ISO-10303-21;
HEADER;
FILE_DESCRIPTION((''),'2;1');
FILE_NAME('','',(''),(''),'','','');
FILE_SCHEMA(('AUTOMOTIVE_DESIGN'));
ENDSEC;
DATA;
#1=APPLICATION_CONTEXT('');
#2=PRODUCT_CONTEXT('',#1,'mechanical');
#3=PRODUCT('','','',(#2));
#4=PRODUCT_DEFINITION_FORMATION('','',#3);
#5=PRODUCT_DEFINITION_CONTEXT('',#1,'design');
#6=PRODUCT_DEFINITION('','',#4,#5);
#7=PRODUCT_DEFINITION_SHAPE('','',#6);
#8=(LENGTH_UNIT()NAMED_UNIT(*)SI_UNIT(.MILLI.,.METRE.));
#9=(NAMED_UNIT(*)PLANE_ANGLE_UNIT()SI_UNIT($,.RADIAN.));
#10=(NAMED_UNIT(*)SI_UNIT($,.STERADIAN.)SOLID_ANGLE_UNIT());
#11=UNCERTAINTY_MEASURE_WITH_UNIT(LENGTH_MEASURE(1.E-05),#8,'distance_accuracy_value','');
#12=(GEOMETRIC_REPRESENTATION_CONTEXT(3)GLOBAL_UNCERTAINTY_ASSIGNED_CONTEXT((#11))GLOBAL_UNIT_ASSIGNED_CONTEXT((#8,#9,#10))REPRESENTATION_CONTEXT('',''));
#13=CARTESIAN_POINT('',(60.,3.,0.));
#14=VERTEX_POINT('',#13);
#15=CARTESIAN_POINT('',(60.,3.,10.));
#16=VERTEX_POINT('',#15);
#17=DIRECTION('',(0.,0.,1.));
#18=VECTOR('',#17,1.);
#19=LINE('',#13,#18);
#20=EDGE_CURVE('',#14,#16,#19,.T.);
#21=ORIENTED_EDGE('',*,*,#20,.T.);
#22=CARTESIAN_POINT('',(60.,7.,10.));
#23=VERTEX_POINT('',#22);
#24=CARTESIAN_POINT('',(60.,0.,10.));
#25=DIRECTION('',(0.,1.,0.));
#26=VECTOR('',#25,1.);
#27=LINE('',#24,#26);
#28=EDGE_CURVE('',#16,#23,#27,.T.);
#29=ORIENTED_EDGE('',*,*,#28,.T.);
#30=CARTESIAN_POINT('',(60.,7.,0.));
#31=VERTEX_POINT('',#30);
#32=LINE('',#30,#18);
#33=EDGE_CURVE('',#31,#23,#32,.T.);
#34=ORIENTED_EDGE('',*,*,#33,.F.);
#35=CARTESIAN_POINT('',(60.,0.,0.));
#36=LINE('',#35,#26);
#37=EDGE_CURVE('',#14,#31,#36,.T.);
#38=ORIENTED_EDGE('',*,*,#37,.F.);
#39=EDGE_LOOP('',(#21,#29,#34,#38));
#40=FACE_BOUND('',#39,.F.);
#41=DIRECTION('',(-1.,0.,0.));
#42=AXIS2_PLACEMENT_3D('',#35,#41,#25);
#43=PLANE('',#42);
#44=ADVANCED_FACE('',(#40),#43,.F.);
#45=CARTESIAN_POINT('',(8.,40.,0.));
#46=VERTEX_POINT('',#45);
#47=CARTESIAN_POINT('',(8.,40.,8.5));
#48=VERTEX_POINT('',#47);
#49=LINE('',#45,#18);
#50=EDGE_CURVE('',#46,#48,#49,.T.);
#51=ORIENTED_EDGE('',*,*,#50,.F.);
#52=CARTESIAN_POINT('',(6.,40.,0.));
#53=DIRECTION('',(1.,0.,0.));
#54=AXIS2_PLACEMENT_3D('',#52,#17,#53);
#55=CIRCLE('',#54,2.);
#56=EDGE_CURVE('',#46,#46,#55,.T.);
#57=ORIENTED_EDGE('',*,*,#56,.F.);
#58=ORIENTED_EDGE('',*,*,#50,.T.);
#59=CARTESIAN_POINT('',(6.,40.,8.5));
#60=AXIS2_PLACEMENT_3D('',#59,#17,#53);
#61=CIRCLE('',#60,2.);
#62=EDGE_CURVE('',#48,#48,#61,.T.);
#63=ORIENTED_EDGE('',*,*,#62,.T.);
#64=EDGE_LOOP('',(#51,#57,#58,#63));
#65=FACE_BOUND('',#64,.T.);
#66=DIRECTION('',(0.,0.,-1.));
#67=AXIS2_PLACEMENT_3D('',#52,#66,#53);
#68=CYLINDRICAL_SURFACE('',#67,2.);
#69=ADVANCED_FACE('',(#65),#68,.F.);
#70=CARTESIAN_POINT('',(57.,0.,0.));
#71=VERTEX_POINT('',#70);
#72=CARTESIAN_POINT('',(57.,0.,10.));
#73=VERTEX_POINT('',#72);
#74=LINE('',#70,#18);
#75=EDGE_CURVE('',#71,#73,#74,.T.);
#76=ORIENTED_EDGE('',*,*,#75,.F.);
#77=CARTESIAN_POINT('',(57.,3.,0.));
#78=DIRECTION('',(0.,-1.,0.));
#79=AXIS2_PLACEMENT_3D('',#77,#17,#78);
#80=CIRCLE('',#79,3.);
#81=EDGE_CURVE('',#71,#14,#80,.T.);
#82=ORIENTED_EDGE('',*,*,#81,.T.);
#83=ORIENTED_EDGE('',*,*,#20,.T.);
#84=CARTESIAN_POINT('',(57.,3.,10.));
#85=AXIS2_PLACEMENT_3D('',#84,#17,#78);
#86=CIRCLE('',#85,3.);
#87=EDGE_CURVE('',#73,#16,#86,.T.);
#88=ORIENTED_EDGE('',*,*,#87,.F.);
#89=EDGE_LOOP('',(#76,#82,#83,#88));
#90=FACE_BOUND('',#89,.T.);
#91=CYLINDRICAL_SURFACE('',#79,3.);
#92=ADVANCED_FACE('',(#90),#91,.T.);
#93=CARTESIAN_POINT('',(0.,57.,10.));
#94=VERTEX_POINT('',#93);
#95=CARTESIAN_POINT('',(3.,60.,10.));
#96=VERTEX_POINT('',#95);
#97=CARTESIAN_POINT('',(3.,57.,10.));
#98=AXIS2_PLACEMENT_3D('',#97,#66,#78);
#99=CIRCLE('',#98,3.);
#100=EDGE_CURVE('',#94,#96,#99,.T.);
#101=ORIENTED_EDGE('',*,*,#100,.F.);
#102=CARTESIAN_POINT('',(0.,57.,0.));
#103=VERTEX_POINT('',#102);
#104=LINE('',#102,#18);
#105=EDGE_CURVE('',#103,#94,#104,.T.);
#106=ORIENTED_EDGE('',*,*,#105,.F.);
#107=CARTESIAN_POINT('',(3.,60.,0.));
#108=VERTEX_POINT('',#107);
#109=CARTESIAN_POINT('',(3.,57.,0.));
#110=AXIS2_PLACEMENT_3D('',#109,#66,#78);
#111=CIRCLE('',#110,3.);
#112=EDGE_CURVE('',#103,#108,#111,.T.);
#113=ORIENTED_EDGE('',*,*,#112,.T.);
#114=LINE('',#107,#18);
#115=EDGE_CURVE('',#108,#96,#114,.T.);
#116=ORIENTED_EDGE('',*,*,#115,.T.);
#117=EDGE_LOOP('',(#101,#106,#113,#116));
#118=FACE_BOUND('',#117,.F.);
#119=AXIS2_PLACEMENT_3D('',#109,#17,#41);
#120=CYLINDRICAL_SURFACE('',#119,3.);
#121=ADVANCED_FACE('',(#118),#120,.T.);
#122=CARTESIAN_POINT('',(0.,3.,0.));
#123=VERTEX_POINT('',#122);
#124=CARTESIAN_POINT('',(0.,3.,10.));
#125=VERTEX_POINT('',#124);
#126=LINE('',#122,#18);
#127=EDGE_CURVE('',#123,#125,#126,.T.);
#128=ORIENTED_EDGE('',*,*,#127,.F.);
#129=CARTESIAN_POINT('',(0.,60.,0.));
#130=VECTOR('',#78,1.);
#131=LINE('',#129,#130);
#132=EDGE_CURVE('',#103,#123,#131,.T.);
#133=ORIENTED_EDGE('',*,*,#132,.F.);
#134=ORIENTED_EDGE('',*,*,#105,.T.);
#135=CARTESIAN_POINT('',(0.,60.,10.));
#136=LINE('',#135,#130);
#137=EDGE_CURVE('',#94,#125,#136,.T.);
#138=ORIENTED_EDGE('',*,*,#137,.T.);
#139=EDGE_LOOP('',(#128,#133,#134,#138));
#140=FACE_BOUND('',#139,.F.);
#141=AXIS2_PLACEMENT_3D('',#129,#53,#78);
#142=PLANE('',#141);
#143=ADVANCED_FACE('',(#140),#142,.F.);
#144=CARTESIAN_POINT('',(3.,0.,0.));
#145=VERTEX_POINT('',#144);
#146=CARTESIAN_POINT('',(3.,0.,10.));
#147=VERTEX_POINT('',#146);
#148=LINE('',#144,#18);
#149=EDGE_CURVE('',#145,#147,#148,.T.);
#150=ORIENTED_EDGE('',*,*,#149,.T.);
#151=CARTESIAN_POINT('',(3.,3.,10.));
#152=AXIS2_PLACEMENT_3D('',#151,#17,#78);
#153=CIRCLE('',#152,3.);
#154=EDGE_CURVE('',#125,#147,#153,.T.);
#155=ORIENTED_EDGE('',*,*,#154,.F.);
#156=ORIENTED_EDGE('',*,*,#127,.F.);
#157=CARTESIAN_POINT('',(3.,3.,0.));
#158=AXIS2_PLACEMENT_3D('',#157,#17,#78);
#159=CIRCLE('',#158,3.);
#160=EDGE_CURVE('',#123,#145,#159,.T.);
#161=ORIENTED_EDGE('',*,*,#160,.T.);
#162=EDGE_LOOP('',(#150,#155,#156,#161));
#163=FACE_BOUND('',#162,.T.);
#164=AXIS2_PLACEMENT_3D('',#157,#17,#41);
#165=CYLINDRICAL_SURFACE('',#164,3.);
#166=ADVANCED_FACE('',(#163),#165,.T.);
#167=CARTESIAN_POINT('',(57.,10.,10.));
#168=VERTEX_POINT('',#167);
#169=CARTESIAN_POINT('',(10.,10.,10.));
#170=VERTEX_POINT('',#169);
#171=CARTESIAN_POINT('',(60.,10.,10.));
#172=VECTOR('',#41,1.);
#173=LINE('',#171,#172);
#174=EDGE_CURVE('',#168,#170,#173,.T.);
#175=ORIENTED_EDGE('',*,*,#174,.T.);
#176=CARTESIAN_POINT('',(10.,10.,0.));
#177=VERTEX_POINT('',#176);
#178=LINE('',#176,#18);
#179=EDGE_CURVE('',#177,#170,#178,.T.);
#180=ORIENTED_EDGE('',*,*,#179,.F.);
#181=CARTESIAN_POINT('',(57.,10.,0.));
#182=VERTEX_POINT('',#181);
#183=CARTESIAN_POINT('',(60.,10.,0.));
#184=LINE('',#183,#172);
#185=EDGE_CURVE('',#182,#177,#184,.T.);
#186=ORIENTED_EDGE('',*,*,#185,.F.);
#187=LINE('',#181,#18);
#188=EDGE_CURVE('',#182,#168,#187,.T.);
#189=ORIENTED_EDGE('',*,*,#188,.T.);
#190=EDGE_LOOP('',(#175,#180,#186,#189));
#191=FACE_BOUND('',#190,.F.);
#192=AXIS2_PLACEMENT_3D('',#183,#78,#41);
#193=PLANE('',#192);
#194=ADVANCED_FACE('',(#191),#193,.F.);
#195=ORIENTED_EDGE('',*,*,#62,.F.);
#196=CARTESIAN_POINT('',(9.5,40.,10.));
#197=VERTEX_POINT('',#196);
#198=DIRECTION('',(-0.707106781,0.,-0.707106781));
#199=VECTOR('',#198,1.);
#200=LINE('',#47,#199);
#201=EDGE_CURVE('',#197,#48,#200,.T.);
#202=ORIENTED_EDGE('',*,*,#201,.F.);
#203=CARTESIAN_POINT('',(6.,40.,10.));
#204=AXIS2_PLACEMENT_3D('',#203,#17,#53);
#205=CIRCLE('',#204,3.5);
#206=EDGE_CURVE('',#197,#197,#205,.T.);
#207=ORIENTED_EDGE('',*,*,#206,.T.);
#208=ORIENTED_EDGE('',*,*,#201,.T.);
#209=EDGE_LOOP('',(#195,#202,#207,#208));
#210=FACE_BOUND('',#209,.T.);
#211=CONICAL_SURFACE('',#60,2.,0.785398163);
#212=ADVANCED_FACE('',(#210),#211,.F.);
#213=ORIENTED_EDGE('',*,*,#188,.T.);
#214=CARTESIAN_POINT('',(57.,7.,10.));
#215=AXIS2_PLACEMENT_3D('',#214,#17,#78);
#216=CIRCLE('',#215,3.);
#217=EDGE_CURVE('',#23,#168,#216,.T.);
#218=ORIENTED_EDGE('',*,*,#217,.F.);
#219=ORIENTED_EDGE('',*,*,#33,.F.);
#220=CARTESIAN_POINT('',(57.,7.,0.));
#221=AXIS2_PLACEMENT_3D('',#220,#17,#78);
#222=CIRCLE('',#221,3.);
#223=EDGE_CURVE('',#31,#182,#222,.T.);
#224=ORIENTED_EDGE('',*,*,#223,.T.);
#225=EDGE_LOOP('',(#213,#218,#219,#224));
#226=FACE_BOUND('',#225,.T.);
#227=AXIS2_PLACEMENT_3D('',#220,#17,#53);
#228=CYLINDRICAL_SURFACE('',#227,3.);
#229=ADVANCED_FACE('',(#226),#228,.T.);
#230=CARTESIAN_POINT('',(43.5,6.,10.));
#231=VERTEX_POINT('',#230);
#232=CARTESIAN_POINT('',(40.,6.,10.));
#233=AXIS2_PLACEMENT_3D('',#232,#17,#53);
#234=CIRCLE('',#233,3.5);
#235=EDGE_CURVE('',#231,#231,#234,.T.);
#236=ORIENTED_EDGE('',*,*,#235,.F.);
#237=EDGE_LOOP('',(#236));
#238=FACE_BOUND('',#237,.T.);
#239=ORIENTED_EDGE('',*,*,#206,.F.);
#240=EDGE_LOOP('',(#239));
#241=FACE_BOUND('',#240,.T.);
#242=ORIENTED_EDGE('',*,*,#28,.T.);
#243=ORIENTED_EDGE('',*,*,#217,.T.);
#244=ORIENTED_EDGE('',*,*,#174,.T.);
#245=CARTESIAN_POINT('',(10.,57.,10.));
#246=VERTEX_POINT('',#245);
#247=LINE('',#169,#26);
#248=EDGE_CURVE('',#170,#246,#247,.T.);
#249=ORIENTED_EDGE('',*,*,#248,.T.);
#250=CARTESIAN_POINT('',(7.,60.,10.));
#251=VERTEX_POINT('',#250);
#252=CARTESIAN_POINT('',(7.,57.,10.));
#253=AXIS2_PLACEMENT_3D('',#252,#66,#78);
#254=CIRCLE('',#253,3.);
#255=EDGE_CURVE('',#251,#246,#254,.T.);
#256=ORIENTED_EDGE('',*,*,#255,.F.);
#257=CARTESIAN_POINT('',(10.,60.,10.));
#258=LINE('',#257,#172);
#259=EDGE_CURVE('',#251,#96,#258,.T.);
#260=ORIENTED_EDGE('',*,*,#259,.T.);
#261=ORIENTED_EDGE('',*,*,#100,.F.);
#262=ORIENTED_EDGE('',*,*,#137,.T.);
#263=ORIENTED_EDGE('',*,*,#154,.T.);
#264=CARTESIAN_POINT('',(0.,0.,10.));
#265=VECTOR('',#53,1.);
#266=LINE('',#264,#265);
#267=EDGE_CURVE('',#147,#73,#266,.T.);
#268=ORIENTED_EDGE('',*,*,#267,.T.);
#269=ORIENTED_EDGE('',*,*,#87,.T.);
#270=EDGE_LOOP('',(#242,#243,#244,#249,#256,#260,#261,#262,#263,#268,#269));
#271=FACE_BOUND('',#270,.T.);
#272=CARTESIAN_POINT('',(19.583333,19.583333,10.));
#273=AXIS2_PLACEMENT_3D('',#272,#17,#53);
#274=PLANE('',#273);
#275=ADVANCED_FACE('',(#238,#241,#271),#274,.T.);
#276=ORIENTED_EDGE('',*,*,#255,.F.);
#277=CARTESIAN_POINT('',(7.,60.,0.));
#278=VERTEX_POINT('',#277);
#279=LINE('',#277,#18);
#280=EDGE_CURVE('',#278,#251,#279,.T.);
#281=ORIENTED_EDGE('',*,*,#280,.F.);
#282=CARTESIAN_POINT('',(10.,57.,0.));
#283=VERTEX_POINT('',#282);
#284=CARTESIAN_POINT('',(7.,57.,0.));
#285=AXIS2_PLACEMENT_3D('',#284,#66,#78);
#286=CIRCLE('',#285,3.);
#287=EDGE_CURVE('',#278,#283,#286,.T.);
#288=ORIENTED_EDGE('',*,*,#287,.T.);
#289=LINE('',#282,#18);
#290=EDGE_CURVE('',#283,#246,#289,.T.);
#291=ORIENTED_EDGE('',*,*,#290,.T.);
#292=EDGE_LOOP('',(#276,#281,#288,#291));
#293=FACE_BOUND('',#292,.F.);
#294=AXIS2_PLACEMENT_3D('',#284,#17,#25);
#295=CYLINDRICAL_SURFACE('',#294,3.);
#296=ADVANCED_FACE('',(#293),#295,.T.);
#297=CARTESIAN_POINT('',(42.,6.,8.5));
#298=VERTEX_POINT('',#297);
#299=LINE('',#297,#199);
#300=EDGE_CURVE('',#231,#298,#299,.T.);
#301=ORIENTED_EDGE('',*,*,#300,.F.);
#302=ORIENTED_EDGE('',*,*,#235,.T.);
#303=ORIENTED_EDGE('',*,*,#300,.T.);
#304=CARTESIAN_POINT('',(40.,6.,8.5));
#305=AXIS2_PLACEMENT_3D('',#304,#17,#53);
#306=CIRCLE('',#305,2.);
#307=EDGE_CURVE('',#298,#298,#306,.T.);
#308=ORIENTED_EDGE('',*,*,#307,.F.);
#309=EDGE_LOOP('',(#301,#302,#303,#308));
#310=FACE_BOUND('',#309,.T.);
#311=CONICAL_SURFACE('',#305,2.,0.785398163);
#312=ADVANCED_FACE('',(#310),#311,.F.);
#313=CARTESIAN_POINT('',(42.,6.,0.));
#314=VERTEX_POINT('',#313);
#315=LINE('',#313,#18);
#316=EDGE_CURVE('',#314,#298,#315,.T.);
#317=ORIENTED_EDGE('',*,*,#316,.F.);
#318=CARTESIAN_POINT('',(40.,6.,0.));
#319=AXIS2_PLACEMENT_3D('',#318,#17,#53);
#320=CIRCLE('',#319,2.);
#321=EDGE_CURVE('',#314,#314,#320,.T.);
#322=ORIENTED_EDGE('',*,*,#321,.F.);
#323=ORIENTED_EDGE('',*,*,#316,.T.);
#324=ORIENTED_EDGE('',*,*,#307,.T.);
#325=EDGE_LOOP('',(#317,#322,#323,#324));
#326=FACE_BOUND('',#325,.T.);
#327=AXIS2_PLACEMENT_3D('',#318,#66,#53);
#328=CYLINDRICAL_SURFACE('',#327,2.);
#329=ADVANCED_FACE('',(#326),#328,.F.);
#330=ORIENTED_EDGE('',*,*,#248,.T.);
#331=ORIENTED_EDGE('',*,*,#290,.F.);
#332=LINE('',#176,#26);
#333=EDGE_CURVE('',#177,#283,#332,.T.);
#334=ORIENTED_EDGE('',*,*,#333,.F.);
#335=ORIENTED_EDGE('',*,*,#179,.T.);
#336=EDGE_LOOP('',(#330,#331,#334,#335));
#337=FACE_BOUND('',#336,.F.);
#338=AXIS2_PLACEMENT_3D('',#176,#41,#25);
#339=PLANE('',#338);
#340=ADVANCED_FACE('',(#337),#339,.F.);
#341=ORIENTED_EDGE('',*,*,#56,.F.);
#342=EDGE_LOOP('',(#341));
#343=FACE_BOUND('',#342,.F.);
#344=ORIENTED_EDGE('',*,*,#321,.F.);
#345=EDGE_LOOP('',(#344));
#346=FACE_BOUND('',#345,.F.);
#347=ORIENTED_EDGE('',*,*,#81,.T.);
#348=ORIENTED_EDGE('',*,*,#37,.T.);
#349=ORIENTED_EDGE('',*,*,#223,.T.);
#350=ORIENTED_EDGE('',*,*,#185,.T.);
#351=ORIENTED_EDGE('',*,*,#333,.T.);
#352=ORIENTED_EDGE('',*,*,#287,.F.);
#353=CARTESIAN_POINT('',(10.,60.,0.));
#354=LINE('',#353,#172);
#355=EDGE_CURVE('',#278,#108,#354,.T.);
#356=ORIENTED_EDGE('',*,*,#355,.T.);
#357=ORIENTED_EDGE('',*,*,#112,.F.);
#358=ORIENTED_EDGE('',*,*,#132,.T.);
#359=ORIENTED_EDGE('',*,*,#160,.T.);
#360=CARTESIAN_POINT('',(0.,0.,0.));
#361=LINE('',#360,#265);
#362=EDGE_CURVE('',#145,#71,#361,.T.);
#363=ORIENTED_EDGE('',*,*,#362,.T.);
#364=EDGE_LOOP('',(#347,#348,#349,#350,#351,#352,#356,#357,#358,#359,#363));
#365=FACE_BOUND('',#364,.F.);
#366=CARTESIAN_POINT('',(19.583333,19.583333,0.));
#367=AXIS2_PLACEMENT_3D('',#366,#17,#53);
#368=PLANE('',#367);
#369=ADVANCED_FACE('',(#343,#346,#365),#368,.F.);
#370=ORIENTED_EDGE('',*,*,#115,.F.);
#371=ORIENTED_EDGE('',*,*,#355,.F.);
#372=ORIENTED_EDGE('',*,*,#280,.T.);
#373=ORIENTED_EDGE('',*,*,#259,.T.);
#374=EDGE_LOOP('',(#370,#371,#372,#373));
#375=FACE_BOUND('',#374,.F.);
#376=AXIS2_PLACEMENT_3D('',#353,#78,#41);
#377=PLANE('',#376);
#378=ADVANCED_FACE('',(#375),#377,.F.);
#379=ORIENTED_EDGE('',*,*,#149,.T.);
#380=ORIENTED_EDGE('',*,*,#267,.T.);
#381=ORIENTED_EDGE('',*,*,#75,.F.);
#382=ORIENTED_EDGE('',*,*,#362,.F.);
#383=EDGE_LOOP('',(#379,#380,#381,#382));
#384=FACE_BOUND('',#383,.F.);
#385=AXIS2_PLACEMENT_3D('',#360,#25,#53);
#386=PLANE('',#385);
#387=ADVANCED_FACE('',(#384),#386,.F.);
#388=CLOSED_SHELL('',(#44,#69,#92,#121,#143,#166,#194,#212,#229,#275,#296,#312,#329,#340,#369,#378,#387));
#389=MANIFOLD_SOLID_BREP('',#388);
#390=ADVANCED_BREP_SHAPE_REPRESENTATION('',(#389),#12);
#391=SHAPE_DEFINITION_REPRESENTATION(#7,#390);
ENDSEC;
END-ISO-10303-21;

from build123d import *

# Parameters (mm, degrees)
F0_R     = 2
F1_DEPTH = 10
F2_R     = 3
F3_SIZE  = 1.5


with BuildPart() as f1:
    # F0 (on Top) → F1 (new body)
    with BuildSketch(Plane.XY):
        Polygon((0, 60), (0, 0), (60, 0), (60, 10), (10, 10), (10, 60), align=None)
        with Locations((40, 6)):
            Circle(F0_R, mode=Mode.SUBTRACT)
        with Locations((6, 40)):
            Circle(F0_R, mode=Mode.SUBTRACT)
    extrude(amount=F1_DEPTH)

    # F2
    f2_edges = [f1.edges().sort_by_distance(p)[0] for p in [
        (0, 0, 5),
        (60, 0, 5),
        (60, 10, 5),
        (10, 60, 5),
        (0, 60, 5),
    ]]
    fillet(f2_edges, radius=F2_R)

    # F3
    f3_edges = [f1.edges().sort_by_distance(p)[0] for p in [
        (4, 40, 10),
        (38, 6, 10),
    ]]
    chamfer(f3_edges, length=F3_SIZE)


solid = f1.part
